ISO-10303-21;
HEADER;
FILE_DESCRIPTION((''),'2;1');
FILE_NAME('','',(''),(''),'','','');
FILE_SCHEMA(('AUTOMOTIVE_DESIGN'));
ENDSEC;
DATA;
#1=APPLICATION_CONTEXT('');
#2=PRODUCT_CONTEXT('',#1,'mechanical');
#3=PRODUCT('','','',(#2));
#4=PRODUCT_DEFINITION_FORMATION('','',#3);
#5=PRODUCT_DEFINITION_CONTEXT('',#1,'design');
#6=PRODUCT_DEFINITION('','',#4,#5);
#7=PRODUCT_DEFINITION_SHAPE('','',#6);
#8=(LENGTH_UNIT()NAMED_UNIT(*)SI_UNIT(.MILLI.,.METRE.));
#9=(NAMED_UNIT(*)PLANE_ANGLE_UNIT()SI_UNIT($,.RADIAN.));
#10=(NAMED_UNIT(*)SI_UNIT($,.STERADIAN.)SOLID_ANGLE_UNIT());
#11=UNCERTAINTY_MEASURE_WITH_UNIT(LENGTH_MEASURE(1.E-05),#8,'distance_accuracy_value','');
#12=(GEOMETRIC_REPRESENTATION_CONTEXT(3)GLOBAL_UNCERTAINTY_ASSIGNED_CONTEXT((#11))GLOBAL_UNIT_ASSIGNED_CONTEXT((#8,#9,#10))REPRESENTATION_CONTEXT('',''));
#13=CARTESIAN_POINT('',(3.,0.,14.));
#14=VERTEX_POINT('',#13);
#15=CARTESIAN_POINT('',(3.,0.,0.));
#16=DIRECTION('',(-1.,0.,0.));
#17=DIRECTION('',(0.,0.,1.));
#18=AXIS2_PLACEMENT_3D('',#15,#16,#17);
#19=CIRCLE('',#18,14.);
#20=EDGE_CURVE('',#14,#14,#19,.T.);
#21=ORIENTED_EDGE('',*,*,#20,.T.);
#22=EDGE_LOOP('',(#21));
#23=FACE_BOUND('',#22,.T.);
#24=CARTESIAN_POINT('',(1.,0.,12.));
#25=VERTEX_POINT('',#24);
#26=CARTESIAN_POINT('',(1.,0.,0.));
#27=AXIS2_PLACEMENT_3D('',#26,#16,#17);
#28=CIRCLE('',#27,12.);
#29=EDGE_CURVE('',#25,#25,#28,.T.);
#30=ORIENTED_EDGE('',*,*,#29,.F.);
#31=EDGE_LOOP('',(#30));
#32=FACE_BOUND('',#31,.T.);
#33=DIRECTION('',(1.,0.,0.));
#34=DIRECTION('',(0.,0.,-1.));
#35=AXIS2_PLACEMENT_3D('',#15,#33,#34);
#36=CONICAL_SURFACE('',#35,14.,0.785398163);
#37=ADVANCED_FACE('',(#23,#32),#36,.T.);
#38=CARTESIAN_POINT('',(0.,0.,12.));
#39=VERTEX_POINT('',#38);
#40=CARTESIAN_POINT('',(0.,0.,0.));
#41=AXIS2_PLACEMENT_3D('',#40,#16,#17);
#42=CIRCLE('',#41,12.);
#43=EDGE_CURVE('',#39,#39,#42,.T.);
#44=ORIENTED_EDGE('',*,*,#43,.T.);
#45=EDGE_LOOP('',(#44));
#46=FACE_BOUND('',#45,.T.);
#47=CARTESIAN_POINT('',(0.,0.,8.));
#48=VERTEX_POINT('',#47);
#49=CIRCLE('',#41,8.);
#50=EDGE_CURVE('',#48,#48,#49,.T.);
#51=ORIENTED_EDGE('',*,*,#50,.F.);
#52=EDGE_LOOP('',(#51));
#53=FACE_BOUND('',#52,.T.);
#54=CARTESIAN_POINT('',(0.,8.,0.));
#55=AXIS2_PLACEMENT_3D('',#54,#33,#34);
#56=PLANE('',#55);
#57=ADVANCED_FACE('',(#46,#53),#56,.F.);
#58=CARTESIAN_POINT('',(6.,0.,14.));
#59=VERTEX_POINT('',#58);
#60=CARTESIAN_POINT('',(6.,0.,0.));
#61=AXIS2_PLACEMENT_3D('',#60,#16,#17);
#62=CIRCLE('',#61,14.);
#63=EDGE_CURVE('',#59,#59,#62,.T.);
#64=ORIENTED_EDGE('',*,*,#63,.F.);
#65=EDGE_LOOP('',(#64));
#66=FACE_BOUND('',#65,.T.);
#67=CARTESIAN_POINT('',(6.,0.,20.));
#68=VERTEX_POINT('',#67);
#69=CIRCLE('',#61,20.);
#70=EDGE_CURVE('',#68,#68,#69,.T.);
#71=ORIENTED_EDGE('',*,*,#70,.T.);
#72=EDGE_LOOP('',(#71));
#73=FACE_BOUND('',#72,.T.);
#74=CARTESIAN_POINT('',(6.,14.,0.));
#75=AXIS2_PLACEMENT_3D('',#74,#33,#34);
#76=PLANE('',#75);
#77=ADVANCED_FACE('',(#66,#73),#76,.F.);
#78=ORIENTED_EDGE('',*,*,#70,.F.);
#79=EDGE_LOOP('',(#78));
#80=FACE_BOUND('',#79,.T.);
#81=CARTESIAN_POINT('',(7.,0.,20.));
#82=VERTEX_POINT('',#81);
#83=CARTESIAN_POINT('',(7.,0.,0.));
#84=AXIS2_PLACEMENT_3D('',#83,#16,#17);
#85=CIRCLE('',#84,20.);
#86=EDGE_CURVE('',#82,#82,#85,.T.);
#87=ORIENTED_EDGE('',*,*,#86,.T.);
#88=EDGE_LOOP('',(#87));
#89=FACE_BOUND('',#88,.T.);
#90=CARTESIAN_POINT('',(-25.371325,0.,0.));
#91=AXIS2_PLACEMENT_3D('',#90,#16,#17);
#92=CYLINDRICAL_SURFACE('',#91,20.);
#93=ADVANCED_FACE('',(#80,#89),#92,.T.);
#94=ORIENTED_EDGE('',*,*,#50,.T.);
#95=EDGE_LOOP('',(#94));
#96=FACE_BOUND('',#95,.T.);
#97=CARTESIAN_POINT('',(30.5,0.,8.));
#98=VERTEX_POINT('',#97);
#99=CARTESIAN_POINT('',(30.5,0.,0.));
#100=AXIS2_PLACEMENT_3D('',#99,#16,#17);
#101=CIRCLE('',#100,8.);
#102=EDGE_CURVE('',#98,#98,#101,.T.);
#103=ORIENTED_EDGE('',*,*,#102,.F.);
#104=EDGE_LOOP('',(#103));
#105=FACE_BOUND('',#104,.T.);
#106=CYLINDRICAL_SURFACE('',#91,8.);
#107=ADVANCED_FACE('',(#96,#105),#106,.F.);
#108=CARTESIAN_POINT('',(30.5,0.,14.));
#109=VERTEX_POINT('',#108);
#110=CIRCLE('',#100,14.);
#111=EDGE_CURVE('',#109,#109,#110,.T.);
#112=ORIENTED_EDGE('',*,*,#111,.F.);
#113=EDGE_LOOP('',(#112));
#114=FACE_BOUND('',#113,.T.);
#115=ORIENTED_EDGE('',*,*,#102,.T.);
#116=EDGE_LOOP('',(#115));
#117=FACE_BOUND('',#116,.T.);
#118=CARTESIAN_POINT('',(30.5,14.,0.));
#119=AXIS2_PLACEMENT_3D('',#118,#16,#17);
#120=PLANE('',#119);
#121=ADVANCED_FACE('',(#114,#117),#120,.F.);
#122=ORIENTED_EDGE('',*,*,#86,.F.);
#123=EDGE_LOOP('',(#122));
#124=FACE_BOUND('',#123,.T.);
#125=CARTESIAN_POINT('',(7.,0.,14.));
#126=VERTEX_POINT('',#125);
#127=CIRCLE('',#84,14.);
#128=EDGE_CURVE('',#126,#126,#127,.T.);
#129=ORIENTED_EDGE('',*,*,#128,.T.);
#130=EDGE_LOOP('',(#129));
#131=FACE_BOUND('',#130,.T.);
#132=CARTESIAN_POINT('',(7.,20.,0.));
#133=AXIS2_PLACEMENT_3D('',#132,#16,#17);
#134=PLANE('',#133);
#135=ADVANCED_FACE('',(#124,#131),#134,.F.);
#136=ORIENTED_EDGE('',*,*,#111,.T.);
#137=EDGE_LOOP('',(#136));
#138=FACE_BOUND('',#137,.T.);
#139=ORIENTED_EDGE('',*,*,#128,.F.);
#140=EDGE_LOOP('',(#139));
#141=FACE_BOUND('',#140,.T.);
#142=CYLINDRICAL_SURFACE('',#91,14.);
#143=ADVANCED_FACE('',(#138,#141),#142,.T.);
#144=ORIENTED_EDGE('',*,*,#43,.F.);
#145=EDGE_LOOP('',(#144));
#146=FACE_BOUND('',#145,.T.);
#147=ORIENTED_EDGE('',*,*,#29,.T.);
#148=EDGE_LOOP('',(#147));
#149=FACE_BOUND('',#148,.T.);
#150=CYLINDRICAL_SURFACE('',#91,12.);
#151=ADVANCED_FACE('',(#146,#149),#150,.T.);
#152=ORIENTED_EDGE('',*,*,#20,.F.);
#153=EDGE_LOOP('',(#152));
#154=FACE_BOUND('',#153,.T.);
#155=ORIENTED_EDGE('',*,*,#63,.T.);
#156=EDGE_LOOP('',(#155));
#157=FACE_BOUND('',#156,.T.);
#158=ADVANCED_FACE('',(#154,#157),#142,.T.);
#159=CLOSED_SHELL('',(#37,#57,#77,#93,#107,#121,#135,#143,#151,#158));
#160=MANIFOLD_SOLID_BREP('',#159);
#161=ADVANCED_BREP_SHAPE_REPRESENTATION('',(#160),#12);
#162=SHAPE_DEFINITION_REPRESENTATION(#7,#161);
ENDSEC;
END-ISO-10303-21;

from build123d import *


with BuildPart() as part:
    # 草图1 → 旋转1 (revolve)
    with BuildSketch(Plane.XY, mode=Mode.PRIVATE) as revolve_1_sk:
        Polygon((0, 8), (0, 12), (1, 12), (3, 14), (6, 14), (6, 20), (7, 20), (7, 14), (30.5, 14), (30.5, 8), align=None)
    revolve(revolve_1_sk.sketch.rotate(Axis((-25.37132476, 0, 0), (1, 0, 0)), 90), axis=Axis((-25.37132476, 0, 0), (1, 0, 0)))


solid = part.part
